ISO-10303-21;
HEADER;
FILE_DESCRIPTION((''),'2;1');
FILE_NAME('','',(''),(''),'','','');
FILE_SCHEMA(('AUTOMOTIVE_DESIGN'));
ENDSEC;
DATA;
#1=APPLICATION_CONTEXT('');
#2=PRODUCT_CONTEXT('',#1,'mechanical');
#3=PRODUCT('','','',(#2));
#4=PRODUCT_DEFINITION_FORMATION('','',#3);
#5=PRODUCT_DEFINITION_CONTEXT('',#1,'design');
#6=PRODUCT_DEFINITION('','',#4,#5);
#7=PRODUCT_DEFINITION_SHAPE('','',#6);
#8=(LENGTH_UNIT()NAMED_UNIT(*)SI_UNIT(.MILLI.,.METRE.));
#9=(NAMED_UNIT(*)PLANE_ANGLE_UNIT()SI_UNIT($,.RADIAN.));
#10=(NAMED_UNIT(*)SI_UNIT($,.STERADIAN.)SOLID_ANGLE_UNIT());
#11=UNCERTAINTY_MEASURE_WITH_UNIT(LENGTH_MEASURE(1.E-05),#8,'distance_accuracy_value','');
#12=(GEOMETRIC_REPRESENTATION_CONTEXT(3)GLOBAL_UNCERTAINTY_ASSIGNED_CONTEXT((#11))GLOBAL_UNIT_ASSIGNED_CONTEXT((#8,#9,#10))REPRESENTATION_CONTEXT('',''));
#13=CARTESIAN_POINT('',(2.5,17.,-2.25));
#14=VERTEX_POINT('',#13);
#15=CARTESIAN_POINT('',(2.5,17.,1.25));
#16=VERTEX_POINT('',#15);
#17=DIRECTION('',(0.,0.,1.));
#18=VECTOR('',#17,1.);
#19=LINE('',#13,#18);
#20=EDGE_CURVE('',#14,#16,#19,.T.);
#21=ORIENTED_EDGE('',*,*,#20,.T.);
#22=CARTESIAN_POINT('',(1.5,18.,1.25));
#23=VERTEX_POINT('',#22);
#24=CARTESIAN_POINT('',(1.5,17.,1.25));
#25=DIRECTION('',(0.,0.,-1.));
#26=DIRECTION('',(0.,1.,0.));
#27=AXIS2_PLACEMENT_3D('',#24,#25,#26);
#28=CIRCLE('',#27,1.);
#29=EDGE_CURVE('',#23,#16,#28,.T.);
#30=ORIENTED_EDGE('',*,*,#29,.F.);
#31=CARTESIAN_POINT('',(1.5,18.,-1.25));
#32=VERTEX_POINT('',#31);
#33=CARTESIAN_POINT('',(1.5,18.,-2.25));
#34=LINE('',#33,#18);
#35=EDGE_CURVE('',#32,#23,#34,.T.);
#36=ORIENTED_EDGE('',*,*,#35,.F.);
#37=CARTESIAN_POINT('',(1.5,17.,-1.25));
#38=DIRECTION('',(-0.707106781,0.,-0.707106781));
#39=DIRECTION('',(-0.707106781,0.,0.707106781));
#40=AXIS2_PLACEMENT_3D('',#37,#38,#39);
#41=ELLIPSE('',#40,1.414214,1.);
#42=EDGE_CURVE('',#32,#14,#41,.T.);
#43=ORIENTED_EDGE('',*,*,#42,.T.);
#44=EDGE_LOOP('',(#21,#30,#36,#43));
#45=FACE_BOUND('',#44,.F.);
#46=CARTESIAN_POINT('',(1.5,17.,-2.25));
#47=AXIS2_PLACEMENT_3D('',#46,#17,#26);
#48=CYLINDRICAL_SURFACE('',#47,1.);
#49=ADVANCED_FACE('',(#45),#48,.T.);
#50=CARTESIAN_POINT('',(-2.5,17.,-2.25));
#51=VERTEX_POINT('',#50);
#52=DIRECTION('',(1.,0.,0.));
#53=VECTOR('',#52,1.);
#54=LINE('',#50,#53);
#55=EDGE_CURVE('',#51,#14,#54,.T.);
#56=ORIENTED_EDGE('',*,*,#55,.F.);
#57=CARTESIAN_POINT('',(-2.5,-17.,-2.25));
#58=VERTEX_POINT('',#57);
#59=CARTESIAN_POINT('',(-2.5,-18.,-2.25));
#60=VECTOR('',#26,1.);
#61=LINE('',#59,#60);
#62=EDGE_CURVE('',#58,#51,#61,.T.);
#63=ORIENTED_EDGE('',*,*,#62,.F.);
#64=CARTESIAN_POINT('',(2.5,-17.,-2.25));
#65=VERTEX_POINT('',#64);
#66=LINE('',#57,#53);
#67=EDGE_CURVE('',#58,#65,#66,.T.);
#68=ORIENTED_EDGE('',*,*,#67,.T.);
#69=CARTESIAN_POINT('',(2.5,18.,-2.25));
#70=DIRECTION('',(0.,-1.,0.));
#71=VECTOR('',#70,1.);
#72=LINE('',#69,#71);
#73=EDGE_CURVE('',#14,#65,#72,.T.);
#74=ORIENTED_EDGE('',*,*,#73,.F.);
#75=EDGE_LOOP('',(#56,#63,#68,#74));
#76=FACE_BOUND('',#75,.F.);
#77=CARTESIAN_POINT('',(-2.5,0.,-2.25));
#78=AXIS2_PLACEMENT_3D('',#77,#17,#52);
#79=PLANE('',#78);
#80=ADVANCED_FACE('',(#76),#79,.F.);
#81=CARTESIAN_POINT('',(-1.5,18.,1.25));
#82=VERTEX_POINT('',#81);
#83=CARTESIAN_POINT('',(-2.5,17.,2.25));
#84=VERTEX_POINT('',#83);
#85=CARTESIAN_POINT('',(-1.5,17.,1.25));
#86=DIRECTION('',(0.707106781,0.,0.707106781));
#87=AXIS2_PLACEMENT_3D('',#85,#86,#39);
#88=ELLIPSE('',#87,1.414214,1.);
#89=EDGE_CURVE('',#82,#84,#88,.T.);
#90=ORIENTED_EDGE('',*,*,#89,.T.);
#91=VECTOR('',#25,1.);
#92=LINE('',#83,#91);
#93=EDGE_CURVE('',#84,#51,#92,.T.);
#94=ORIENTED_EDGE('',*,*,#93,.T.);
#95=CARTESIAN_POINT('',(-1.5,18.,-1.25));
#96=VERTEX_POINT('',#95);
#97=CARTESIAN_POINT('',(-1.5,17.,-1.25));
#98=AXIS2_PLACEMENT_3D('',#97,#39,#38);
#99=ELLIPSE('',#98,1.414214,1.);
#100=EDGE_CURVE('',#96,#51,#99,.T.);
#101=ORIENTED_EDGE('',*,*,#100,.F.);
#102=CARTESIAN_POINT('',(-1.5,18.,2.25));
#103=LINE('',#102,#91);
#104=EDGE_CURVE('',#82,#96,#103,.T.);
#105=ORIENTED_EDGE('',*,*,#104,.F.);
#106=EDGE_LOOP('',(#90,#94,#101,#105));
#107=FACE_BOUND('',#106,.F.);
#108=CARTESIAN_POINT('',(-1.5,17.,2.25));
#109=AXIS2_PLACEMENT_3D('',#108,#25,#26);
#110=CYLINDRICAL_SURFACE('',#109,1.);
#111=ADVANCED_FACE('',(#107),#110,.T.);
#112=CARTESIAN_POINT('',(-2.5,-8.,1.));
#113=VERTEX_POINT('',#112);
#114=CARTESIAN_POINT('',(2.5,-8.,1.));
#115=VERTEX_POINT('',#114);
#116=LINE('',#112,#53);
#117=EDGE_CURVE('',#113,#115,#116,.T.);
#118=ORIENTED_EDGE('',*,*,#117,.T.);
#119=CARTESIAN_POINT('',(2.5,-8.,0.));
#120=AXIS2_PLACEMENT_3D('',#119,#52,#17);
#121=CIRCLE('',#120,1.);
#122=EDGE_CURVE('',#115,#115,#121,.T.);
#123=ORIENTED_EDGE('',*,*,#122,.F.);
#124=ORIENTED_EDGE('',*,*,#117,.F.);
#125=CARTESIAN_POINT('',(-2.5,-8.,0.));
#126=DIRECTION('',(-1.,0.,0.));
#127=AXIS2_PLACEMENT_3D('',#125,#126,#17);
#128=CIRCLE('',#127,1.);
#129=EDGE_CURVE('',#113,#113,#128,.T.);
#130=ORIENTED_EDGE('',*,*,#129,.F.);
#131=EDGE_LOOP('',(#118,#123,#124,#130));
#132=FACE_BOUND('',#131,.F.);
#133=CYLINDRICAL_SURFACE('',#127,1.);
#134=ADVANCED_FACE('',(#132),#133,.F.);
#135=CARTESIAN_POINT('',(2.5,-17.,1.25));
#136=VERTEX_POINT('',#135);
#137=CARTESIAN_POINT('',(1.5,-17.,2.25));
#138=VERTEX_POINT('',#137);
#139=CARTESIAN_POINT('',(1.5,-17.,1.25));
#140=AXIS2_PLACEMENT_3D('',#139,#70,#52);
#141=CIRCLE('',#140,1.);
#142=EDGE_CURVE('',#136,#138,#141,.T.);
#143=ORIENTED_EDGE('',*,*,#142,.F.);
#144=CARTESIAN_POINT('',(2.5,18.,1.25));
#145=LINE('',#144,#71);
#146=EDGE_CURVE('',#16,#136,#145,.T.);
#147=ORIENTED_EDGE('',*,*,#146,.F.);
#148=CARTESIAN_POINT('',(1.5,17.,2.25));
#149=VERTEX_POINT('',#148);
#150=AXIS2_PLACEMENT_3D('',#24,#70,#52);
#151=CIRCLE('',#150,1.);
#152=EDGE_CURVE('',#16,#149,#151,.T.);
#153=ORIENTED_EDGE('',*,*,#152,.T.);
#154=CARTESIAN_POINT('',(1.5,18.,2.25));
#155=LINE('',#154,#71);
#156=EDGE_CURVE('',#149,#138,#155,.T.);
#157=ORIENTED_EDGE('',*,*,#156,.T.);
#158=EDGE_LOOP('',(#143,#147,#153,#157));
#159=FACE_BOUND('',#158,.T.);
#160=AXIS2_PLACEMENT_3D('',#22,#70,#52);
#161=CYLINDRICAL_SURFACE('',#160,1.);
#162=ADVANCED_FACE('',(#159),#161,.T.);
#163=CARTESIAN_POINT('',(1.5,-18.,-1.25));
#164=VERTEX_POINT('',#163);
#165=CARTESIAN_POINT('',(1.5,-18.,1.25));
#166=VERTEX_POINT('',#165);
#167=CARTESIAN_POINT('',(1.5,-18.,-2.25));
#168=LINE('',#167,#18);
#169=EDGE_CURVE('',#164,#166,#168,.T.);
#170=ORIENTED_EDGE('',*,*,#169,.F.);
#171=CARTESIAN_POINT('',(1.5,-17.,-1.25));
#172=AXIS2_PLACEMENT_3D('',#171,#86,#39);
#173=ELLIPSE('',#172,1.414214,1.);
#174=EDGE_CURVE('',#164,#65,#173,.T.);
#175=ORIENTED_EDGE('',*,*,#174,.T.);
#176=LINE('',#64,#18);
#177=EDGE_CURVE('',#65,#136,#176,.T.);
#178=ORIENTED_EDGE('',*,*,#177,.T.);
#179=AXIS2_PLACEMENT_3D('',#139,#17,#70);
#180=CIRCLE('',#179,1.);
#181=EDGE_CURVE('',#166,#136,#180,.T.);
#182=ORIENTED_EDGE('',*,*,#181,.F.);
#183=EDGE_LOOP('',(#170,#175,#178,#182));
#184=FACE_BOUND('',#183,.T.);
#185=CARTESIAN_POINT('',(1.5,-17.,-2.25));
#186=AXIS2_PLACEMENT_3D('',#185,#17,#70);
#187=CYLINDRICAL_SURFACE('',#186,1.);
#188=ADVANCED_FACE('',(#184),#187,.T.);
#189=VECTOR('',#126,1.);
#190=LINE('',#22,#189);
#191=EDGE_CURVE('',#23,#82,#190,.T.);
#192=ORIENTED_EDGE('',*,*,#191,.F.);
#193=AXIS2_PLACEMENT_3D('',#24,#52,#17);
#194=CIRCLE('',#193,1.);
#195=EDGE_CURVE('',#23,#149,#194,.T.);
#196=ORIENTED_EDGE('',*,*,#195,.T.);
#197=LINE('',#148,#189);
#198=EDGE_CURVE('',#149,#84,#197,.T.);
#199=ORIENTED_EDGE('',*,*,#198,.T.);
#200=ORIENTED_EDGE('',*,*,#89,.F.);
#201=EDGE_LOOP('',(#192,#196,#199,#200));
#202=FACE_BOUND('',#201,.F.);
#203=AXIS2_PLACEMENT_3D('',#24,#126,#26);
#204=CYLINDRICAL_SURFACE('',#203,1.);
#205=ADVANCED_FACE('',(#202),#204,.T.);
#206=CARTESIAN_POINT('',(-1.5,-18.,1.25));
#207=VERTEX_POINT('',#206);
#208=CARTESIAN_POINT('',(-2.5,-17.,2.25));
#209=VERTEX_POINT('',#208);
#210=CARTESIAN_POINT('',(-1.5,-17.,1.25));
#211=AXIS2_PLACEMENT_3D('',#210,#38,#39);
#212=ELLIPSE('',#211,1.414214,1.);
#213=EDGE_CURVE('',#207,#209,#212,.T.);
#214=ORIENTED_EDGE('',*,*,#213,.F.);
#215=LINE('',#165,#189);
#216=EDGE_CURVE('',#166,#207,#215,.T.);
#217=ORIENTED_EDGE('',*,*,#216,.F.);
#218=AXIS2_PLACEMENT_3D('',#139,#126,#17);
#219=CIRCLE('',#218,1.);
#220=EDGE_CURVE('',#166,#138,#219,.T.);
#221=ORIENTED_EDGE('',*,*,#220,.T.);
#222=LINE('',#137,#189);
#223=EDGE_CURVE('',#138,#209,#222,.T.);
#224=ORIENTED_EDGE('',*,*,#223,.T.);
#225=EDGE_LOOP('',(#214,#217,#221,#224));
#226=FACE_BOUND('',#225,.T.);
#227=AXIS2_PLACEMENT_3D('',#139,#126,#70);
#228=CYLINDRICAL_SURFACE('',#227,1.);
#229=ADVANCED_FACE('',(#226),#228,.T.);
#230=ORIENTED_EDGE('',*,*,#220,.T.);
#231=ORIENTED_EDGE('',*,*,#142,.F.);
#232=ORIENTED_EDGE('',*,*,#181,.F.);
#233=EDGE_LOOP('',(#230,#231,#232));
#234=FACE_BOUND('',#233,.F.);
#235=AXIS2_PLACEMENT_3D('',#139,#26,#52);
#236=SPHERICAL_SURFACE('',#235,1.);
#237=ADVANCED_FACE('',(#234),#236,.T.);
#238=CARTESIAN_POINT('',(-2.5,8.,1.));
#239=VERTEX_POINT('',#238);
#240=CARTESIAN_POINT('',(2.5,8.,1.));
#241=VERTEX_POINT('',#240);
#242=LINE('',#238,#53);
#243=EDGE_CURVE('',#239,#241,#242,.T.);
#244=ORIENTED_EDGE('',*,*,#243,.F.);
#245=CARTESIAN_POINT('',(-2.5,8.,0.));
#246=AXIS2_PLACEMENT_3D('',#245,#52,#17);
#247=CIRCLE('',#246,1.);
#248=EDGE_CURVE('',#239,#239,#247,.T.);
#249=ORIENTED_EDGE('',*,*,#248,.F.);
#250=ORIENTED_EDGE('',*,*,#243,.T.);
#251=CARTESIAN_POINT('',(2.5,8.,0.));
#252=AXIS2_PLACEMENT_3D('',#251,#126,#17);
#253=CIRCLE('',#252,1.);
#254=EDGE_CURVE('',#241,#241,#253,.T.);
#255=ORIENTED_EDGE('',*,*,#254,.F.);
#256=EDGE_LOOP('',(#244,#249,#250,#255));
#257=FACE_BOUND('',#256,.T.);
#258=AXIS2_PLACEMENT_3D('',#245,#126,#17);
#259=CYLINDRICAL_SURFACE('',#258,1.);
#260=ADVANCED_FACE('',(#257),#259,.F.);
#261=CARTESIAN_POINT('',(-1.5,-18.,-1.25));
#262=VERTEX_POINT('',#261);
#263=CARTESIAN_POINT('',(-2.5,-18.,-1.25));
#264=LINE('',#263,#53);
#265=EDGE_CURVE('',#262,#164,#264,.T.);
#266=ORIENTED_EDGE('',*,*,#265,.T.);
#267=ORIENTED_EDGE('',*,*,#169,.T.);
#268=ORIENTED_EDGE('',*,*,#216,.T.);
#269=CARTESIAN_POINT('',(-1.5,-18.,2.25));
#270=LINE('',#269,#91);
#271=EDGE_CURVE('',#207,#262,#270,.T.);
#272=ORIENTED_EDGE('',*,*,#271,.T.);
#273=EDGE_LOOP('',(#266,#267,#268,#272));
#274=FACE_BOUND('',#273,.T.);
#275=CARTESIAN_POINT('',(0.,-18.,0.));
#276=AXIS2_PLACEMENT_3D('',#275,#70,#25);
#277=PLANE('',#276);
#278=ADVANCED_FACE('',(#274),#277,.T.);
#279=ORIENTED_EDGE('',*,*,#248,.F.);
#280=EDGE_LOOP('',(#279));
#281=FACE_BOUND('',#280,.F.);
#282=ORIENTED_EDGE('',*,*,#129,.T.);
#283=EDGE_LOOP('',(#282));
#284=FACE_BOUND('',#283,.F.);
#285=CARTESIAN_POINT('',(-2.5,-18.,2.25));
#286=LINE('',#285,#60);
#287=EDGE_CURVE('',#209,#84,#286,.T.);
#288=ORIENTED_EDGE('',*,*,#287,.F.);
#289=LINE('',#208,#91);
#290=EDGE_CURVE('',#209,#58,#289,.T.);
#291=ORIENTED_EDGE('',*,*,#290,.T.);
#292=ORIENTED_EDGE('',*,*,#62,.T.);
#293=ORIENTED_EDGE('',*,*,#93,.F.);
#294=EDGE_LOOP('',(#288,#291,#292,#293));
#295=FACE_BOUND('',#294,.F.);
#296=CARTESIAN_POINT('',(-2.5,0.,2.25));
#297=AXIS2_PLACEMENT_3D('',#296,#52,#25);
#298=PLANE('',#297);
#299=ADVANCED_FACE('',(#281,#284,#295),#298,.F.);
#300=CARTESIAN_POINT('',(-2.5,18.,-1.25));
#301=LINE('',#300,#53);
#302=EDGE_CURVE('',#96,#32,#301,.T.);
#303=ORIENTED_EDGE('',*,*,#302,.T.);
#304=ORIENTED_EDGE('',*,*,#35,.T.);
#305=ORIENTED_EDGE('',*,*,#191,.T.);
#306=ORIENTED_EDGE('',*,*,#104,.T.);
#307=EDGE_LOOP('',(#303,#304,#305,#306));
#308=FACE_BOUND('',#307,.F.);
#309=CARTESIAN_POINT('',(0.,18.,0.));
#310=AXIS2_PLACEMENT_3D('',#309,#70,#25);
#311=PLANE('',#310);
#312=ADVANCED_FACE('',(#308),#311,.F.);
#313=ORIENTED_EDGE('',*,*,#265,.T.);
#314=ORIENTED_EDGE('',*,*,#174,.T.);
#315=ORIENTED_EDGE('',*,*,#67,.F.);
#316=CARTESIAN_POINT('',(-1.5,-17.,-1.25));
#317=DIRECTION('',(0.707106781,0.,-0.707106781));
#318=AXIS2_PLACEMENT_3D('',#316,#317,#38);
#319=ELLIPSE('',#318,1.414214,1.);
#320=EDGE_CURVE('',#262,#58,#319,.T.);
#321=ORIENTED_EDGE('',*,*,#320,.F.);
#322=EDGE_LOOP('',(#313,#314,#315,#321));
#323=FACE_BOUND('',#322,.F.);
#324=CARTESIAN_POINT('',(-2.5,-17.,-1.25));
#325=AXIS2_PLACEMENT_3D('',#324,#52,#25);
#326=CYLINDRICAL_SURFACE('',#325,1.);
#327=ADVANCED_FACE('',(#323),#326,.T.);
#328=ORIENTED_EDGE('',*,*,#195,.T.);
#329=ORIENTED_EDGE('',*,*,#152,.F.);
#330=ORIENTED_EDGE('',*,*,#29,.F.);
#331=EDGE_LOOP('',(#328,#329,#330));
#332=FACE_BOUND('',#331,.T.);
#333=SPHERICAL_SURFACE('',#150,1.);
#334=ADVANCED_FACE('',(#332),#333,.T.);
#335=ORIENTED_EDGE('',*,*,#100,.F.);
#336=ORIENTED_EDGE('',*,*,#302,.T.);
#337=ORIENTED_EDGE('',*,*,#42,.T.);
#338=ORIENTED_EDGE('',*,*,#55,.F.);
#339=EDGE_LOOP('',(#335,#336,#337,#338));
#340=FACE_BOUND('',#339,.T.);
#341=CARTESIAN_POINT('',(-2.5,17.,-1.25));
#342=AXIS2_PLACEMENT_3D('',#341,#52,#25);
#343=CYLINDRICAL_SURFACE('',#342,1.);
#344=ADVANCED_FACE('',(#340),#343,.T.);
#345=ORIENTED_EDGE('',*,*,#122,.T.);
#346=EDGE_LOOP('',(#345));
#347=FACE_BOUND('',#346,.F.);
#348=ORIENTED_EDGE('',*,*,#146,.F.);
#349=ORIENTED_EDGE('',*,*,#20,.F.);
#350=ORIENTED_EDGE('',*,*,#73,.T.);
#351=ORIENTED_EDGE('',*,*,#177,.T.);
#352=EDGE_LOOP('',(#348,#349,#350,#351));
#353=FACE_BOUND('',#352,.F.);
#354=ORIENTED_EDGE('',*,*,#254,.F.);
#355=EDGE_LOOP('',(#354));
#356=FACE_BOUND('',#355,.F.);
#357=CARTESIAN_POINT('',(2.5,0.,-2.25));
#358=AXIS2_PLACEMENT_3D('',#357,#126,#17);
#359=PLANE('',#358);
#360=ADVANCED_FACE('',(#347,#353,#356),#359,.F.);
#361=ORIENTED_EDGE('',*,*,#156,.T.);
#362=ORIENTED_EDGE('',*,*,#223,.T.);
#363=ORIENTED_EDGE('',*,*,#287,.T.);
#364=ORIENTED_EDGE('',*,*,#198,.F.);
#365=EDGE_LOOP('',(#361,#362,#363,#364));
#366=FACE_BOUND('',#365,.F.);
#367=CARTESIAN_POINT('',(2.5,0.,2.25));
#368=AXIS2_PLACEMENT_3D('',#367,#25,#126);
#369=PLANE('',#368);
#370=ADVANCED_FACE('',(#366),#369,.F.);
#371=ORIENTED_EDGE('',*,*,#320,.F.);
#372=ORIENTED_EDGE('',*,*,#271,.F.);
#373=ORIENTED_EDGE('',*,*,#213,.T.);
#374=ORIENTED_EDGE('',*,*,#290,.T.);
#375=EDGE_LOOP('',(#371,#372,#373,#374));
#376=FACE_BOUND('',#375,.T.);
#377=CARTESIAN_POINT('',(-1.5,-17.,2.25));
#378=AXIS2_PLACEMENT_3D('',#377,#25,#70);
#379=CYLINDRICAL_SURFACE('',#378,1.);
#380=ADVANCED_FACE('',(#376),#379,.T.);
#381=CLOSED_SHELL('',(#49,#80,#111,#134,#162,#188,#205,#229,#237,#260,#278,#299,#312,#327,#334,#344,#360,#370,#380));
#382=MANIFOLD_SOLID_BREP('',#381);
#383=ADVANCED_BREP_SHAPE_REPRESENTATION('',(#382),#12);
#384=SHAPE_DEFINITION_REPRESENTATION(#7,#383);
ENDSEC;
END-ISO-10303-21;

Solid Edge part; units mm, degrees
sketch "Sketch1" plane through (0, 0, 0) normal (0, -1, 0) x (1, 0, 0)
  line L0 (-2.5, -2.25) -> (2.5, -2.25)
  line L1 (2.5, -2.25) -> (2.5, 2.25)
  line L2 (2.5, 2.25) -> (-2.5, 2.25)
  line L3 (-2.5, 2.25) -> (-2.5, -2.25)
  dimension "D1" = 5
  dimension "D2" = 4.5
extrude "Protrusion1" add sketch "Sketch1" along normal mid plane 36
fillet "Round_1" radius 1 1 edges at (2.5, 0, 2.25)
hole "Hole_1" at (-2.5, 8, 0) direction (1, 0, 0) diameter 2 end up to next
mirror "Mirror1" about plane through (0, 0, 0) normal (0, -1, 0) of "Hole_1"
fillet "Round_2" radius 1 5 edges at (-0.5, 18, 2.25) (2.2071, 18, 1.9571) (2.5, 18, -0.5) (-2.5, 18, 0) (0, 18, -2.25)
mirror "Mirror2" about plane through (0, 0, 0) normal (0, -1, 0) of "Round_2"
